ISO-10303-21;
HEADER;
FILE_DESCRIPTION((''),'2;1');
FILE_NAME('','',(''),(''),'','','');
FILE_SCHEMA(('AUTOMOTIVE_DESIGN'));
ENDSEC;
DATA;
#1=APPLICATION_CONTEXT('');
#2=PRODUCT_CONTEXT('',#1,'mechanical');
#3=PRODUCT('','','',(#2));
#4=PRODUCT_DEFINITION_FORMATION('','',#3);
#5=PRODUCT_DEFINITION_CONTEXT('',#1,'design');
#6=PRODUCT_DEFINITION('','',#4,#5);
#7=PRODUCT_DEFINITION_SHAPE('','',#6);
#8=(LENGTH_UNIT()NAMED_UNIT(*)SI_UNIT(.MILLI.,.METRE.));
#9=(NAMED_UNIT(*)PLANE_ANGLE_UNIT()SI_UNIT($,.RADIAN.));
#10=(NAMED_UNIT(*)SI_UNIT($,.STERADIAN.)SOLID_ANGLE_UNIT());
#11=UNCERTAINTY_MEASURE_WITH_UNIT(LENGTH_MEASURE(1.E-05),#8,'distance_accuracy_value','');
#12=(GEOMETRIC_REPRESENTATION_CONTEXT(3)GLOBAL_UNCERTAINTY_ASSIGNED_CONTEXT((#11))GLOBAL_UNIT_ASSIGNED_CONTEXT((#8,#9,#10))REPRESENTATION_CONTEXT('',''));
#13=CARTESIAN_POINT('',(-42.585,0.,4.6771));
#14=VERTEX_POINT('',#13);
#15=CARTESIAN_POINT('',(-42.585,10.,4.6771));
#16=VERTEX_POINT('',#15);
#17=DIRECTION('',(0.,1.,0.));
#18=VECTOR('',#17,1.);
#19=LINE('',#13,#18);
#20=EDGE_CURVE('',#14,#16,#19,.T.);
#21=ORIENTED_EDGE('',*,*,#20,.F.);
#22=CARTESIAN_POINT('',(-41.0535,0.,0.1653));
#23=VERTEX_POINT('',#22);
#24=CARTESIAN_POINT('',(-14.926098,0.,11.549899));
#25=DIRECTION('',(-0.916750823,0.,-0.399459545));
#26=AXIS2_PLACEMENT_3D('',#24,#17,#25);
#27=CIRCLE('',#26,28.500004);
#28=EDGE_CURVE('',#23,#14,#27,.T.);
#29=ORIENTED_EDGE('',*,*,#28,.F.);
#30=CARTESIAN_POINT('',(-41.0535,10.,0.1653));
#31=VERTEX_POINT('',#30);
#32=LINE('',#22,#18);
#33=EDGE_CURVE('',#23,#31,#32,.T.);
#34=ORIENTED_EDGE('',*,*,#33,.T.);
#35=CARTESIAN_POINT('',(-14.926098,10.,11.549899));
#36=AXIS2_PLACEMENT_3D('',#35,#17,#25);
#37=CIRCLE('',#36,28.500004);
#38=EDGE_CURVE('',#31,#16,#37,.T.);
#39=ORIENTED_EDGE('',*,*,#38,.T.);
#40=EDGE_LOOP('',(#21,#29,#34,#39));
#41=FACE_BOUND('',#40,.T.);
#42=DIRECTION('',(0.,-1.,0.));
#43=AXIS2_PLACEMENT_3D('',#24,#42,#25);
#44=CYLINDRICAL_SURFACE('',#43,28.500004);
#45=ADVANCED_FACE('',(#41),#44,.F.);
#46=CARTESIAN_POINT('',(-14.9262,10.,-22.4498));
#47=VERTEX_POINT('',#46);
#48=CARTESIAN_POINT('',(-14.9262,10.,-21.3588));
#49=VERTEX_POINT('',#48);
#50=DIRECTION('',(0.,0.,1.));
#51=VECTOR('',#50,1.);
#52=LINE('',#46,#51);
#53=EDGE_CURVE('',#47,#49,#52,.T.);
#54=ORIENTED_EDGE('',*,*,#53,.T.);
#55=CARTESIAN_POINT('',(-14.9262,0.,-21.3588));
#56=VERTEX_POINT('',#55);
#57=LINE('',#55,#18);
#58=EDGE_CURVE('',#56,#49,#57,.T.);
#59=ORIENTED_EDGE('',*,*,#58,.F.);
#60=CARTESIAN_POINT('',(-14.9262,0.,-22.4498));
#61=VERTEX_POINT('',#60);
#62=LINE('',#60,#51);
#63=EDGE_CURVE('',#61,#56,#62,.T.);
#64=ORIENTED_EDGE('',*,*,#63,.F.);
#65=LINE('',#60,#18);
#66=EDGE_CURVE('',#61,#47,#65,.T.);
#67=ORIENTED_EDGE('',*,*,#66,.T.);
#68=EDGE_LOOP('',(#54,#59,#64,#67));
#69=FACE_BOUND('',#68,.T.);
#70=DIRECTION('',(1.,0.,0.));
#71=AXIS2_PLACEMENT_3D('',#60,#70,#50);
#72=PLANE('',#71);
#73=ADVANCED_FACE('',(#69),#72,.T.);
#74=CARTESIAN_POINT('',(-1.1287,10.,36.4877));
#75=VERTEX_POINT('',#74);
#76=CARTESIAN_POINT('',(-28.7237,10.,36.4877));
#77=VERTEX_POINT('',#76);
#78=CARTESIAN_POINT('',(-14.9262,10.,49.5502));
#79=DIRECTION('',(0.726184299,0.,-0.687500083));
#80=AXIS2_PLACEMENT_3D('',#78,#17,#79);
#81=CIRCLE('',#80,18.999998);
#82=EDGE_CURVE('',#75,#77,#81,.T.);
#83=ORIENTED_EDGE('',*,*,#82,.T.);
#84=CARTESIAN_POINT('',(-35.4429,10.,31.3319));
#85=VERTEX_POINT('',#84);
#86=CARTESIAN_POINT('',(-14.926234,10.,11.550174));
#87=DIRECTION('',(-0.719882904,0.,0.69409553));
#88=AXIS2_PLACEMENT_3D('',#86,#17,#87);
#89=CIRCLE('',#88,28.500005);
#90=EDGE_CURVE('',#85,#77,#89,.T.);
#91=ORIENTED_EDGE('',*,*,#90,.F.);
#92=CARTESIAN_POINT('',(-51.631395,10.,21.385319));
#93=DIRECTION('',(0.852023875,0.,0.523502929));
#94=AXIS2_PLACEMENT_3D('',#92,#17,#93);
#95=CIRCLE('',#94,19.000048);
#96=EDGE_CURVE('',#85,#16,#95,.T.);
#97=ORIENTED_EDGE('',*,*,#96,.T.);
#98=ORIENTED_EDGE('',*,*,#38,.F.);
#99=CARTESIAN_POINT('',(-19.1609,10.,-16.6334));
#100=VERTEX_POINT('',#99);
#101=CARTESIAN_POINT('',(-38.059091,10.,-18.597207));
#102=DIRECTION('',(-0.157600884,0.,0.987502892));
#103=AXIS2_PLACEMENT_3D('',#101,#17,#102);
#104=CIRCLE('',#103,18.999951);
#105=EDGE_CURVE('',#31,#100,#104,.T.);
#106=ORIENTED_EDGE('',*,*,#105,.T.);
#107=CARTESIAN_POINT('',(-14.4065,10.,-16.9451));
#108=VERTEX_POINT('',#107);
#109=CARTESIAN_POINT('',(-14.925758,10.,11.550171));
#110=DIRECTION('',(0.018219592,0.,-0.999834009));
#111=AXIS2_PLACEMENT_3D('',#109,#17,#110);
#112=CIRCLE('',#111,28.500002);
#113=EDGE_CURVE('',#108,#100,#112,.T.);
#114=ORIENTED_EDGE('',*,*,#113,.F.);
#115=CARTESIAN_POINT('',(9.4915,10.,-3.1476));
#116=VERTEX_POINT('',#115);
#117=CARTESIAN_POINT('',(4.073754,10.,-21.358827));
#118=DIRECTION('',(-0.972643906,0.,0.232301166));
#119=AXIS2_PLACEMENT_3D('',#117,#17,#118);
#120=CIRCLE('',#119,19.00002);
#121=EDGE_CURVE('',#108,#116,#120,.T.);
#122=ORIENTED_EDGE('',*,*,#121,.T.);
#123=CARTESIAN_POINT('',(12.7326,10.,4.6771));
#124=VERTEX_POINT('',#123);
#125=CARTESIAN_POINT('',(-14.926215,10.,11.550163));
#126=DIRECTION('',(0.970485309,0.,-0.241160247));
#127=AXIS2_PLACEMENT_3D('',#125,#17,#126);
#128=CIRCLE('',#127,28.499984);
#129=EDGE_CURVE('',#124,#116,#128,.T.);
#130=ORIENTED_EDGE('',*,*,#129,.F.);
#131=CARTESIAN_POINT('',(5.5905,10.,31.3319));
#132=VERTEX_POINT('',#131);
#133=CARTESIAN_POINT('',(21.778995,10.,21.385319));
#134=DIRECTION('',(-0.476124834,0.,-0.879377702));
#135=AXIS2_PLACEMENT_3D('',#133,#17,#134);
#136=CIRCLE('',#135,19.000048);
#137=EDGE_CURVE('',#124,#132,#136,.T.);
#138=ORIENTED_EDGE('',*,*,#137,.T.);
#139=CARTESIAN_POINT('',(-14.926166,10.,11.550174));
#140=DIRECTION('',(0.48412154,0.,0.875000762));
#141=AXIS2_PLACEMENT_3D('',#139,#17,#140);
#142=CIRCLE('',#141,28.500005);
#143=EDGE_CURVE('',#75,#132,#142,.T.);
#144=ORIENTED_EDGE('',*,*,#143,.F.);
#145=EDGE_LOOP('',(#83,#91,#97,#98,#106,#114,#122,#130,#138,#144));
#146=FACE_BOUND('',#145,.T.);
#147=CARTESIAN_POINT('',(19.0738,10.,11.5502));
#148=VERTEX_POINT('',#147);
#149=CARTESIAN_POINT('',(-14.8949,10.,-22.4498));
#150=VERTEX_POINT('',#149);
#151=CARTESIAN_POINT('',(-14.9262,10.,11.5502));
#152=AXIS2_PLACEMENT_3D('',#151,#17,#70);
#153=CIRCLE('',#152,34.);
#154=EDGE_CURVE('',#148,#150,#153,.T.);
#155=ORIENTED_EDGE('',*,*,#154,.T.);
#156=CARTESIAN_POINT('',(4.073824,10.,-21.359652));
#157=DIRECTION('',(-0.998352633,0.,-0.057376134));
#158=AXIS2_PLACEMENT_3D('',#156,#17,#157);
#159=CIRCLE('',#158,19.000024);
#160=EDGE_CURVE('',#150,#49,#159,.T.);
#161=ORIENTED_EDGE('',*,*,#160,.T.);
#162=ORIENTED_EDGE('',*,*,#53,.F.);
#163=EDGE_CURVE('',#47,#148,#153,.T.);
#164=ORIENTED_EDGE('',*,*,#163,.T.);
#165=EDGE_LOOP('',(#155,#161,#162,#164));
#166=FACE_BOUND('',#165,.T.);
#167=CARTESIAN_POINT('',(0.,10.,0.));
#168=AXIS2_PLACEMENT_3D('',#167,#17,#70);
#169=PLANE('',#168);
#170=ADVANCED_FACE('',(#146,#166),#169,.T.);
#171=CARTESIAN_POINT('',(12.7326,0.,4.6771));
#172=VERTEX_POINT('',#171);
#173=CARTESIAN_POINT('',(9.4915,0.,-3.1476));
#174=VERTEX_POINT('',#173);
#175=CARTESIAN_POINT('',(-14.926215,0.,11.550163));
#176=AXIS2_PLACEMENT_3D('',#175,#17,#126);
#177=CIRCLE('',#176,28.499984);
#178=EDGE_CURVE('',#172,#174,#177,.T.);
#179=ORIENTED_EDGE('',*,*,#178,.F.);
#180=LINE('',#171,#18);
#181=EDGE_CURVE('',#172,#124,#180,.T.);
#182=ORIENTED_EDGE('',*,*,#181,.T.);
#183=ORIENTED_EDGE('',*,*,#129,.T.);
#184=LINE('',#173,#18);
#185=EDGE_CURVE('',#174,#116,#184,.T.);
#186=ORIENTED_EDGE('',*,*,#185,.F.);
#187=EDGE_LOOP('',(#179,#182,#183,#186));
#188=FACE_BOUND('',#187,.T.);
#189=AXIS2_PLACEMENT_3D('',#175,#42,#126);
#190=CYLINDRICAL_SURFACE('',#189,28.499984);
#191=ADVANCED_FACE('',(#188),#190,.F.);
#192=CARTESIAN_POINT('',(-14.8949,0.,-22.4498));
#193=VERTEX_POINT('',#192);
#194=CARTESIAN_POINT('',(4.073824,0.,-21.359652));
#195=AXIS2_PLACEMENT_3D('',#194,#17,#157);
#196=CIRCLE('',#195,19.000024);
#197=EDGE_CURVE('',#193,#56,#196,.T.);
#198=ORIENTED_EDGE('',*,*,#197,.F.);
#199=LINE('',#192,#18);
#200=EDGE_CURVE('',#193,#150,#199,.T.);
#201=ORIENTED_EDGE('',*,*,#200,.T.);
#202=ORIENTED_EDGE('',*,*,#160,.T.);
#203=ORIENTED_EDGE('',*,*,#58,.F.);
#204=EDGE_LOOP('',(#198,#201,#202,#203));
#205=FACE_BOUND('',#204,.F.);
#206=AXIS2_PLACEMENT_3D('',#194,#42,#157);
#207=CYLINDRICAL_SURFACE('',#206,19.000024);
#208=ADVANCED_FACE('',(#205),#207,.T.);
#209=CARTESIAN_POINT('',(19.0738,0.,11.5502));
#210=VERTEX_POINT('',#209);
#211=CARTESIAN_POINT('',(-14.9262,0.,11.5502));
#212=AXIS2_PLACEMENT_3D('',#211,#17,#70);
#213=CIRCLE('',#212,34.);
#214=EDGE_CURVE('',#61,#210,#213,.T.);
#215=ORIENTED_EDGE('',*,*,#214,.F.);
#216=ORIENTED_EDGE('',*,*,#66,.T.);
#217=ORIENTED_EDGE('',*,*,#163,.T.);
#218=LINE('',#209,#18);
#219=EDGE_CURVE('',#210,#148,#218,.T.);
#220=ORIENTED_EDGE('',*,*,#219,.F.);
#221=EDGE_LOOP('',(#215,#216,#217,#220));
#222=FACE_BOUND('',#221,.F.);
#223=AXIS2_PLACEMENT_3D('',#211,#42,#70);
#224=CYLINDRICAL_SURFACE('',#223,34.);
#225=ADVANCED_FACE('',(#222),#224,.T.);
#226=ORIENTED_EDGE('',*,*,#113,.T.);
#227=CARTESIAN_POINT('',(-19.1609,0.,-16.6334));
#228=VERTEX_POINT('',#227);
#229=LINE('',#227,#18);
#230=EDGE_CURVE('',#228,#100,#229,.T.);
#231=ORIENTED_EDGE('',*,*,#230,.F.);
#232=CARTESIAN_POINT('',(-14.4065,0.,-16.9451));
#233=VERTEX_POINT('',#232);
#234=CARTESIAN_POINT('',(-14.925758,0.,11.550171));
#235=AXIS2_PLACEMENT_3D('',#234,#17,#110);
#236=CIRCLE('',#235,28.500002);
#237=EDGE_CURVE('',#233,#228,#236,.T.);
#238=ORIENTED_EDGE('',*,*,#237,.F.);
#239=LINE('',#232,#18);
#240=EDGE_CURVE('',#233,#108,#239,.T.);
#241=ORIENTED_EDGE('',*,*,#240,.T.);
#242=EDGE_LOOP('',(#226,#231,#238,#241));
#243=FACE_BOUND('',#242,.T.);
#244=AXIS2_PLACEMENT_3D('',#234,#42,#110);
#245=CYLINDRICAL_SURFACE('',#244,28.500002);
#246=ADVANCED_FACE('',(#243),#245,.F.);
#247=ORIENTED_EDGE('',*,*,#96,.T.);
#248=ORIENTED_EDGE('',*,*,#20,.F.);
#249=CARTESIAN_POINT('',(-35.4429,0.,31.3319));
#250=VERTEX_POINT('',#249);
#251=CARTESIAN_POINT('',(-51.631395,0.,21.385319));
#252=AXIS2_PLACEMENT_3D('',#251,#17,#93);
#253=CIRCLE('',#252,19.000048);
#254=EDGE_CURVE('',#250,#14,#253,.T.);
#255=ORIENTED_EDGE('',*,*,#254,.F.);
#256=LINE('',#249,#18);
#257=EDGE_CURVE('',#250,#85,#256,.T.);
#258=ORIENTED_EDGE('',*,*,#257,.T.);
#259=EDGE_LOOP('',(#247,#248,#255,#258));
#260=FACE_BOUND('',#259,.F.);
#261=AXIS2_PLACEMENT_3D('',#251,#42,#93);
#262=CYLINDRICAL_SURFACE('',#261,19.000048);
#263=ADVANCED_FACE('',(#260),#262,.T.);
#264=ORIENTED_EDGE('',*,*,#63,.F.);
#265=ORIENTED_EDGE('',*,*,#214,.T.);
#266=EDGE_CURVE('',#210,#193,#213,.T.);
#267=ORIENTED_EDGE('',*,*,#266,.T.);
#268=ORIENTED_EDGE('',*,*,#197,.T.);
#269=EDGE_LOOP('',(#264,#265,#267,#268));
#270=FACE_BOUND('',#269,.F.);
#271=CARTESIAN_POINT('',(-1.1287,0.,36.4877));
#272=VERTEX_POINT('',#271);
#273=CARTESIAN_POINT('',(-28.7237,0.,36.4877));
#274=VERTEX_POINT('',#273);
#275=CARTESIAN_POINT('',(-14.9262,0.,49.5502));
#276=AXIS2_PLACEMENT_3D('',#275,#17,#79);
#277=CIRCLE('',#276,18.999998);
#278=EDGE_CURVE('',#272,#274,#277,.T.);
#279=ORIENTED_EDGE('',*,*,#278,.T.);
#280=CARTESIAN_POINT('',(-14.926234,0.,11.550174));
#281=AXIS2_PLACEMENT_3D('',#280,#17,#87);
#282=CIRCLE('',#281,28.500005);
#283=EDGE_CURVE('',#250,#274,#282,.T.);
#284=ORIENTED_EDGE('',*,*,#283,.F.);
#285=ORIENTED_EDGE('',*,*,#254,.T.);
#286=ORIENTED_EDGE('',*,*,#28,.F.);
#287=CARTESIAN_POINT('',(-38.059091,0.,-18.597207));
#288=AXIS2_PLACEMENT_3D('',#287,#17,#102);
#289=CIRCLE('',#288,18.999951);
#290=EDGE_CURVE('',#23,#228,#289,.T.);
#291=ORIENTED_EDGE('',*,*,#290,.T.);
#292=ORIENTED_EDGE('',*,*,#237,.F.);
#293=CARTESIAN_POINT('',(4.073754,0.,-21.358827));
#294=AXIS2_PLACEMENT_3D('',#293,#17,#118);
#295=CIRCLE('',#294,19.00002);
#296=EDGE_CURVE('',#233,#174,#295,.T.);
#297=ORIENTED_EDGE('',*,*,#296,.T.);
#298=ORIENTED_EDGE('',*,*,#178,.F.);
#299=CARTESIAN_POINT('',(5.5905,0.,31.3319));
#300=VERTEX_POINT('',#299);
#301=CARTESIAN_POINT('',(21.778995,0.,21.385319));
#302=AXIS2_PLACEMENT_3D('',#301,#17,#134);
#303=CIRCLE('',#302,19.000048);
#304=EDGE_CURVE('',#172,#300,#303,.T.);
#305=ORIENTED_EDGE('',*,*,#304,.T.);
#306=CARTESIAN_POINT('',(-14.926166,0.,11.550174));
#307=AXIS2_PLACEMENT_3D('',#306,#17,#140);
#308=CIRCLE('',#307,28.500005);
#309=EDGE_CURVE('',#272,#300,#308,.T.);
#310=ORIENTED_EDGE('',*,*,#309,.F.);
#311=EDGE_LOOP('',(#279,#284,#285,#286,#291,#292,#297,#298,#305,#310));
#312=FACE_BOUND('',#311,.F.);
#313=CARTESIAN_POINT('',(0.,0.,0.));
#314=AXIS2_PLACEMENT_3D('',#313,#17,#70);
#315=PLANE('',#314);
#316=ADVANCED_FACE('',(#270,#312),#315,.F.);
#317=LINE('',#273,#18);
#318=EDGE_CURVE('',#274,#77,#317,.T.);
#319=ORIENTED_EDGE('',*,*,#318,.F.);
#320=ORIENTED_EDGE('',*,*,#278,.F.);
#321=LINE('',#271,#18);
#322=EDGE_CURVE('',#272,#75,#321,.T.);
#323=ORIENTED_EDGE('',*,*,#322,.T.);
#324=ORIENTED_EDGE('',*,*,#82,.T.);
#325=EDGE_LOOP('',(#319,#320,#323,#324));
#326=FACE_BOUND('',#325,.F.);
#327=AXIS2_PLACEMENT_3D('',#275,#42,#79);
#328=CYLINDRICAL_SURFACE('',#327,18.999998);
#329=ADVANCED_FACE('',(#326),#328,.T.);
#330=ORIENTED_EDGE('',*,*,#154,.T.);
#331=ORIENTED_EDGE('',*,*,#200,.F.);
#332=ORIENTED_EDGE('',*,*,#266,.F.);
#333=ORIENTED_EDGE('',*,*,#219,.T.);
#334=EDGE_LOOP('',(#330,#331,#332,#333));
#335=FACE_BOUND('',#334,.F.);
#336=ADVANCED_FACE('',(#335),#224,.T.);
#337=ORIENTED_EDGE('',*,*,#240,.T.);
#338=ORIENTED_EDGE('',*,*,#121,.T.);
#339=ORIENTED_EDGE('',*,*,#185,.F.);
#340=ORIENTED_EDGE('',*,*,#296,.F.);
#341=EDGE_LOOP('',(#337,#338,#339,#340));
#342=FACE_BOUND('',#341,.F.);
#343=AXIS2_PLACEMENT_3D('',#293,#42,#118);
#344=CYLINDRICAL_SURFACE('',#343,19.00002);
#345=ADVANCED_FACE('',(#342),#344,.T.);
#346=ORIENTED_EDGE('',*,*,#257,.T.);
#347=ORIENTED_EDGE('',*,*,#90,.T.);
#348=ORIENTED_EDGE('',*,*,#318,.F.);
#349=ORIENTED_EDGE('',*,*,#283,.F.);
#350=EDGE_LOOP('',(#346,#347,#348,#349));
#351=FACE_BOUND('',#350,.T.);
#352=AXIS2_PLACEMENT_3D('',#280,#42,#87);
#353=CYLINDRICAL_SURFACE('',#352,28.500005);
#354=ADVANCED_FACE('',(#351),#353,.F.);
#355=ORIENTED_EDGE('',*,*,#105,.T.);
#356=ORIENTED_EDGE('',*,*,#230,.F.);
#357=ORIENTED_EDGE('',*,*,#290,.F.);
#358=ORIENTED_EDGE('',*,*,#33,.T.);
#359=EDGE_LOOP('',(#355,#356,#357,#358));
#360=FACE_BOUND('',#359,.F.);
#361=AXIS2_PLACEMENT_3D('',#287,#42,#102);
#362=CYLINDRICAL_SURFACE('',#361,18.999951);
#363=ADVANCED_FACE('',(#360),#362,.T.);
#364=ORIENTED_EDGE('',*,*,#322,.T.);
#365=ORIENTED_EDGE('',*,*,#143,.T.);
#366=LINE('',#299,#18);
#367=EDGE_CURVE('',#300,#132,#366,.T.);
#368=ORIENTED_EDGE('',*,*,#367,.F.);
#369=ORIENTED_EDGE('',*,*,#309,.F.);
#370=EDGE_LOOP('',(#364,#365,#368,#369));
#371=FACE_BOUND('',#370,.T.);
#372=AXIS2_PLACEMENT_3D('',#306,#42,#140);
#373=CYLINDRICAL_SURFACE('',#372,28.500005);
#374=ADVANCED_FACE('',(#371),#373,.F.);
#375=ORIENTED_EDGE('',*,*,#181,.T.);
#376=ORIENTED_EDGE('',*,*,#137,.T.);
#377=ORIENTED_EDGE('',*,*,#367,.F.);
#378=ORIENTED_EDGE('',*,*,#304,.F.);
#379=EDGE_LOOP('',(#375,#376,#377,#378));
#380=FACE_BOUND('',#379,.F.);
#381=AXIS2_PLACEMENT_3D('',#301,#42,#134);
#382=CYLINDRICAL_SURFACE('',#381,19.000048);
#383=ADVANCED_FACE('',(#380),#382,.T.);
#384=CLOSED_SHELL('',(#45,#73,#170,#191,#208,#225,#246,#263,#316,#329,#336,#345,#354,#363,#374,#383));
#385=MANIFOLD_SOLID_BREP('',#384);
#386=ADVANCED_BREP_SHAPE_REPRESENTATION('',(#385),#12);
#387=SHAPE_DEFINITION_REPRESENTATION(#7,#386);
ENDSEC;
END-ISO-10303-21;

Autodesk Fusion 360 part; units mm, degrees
sketch "草图1" plane through (0, 0, 0) normal (0, 1, 0) x (1, 0, 0)
  circle A0 centre (-14.9262, -11.5502) radius 34
  arc A1 (-41.0535, -0.1653) -> (-19.1609, 16.6334) centre (-38.0591, 18.5972) ccw
  arc A2 (-35.4429, -31.3319) -> (-42.585, -4.6771) centre (-51.6314, -21.3853) ccw
  arc A3 (-1.1287, -36.4877) -> (-28.7237, -36.4877) centre (-14.9262, -49.5502) ccw
  arc A4 (12.7326, -4.6771) -> (5.5905, -31.3319) centre (21.779, -21.3853) ccw
  arc A5 (-41.0535, -0.1653) -> (-42.585, -4.6771) centre (-14.9262, -11.5502) ccw
  arc A6 (-14.4065, 16.9451) -> (-19.1609, 16.6334) centre (-14.9262, -11.5502) ccw
  arc A7 (12.7326, -4.6771) -> (9.4915, 3.1476) centre (-14.9262, -11.5502) ccw
  line L0 (-14.9262, 22.4498) -> (-14.9262, 21.3588)
  arc A8 (-14.8949, 22.4498) -> (-14.9262, 21.3588) centre (4.0738, 21.3588) ccw
  arc A9 (-14.4065, 16.9451) -> (9.4915, 3.1476) centre (4.0738, 21.3588) ccw
  arc A10 (-35.4429, -31.3319) -> (-28.7237, -36.4877) centre (-14.9262, -11.5502) ccw
  arc A11 (-1.1287, -36.4877) -> (5.5905, -31.3319) centre (-14.9262, -11.5502) ccw
  dimension "d1" = 68
  dimension "d3" = 57
  dimension "d4" = 38
  dimension "d6" = 38
  dimension "d7" = 38
  dimension "d8" = 38
extrude "拉伸1" add sketch "草图1" along normal blind 10 contours A0 L0 A8 picked at (13.385, -17.6951)
